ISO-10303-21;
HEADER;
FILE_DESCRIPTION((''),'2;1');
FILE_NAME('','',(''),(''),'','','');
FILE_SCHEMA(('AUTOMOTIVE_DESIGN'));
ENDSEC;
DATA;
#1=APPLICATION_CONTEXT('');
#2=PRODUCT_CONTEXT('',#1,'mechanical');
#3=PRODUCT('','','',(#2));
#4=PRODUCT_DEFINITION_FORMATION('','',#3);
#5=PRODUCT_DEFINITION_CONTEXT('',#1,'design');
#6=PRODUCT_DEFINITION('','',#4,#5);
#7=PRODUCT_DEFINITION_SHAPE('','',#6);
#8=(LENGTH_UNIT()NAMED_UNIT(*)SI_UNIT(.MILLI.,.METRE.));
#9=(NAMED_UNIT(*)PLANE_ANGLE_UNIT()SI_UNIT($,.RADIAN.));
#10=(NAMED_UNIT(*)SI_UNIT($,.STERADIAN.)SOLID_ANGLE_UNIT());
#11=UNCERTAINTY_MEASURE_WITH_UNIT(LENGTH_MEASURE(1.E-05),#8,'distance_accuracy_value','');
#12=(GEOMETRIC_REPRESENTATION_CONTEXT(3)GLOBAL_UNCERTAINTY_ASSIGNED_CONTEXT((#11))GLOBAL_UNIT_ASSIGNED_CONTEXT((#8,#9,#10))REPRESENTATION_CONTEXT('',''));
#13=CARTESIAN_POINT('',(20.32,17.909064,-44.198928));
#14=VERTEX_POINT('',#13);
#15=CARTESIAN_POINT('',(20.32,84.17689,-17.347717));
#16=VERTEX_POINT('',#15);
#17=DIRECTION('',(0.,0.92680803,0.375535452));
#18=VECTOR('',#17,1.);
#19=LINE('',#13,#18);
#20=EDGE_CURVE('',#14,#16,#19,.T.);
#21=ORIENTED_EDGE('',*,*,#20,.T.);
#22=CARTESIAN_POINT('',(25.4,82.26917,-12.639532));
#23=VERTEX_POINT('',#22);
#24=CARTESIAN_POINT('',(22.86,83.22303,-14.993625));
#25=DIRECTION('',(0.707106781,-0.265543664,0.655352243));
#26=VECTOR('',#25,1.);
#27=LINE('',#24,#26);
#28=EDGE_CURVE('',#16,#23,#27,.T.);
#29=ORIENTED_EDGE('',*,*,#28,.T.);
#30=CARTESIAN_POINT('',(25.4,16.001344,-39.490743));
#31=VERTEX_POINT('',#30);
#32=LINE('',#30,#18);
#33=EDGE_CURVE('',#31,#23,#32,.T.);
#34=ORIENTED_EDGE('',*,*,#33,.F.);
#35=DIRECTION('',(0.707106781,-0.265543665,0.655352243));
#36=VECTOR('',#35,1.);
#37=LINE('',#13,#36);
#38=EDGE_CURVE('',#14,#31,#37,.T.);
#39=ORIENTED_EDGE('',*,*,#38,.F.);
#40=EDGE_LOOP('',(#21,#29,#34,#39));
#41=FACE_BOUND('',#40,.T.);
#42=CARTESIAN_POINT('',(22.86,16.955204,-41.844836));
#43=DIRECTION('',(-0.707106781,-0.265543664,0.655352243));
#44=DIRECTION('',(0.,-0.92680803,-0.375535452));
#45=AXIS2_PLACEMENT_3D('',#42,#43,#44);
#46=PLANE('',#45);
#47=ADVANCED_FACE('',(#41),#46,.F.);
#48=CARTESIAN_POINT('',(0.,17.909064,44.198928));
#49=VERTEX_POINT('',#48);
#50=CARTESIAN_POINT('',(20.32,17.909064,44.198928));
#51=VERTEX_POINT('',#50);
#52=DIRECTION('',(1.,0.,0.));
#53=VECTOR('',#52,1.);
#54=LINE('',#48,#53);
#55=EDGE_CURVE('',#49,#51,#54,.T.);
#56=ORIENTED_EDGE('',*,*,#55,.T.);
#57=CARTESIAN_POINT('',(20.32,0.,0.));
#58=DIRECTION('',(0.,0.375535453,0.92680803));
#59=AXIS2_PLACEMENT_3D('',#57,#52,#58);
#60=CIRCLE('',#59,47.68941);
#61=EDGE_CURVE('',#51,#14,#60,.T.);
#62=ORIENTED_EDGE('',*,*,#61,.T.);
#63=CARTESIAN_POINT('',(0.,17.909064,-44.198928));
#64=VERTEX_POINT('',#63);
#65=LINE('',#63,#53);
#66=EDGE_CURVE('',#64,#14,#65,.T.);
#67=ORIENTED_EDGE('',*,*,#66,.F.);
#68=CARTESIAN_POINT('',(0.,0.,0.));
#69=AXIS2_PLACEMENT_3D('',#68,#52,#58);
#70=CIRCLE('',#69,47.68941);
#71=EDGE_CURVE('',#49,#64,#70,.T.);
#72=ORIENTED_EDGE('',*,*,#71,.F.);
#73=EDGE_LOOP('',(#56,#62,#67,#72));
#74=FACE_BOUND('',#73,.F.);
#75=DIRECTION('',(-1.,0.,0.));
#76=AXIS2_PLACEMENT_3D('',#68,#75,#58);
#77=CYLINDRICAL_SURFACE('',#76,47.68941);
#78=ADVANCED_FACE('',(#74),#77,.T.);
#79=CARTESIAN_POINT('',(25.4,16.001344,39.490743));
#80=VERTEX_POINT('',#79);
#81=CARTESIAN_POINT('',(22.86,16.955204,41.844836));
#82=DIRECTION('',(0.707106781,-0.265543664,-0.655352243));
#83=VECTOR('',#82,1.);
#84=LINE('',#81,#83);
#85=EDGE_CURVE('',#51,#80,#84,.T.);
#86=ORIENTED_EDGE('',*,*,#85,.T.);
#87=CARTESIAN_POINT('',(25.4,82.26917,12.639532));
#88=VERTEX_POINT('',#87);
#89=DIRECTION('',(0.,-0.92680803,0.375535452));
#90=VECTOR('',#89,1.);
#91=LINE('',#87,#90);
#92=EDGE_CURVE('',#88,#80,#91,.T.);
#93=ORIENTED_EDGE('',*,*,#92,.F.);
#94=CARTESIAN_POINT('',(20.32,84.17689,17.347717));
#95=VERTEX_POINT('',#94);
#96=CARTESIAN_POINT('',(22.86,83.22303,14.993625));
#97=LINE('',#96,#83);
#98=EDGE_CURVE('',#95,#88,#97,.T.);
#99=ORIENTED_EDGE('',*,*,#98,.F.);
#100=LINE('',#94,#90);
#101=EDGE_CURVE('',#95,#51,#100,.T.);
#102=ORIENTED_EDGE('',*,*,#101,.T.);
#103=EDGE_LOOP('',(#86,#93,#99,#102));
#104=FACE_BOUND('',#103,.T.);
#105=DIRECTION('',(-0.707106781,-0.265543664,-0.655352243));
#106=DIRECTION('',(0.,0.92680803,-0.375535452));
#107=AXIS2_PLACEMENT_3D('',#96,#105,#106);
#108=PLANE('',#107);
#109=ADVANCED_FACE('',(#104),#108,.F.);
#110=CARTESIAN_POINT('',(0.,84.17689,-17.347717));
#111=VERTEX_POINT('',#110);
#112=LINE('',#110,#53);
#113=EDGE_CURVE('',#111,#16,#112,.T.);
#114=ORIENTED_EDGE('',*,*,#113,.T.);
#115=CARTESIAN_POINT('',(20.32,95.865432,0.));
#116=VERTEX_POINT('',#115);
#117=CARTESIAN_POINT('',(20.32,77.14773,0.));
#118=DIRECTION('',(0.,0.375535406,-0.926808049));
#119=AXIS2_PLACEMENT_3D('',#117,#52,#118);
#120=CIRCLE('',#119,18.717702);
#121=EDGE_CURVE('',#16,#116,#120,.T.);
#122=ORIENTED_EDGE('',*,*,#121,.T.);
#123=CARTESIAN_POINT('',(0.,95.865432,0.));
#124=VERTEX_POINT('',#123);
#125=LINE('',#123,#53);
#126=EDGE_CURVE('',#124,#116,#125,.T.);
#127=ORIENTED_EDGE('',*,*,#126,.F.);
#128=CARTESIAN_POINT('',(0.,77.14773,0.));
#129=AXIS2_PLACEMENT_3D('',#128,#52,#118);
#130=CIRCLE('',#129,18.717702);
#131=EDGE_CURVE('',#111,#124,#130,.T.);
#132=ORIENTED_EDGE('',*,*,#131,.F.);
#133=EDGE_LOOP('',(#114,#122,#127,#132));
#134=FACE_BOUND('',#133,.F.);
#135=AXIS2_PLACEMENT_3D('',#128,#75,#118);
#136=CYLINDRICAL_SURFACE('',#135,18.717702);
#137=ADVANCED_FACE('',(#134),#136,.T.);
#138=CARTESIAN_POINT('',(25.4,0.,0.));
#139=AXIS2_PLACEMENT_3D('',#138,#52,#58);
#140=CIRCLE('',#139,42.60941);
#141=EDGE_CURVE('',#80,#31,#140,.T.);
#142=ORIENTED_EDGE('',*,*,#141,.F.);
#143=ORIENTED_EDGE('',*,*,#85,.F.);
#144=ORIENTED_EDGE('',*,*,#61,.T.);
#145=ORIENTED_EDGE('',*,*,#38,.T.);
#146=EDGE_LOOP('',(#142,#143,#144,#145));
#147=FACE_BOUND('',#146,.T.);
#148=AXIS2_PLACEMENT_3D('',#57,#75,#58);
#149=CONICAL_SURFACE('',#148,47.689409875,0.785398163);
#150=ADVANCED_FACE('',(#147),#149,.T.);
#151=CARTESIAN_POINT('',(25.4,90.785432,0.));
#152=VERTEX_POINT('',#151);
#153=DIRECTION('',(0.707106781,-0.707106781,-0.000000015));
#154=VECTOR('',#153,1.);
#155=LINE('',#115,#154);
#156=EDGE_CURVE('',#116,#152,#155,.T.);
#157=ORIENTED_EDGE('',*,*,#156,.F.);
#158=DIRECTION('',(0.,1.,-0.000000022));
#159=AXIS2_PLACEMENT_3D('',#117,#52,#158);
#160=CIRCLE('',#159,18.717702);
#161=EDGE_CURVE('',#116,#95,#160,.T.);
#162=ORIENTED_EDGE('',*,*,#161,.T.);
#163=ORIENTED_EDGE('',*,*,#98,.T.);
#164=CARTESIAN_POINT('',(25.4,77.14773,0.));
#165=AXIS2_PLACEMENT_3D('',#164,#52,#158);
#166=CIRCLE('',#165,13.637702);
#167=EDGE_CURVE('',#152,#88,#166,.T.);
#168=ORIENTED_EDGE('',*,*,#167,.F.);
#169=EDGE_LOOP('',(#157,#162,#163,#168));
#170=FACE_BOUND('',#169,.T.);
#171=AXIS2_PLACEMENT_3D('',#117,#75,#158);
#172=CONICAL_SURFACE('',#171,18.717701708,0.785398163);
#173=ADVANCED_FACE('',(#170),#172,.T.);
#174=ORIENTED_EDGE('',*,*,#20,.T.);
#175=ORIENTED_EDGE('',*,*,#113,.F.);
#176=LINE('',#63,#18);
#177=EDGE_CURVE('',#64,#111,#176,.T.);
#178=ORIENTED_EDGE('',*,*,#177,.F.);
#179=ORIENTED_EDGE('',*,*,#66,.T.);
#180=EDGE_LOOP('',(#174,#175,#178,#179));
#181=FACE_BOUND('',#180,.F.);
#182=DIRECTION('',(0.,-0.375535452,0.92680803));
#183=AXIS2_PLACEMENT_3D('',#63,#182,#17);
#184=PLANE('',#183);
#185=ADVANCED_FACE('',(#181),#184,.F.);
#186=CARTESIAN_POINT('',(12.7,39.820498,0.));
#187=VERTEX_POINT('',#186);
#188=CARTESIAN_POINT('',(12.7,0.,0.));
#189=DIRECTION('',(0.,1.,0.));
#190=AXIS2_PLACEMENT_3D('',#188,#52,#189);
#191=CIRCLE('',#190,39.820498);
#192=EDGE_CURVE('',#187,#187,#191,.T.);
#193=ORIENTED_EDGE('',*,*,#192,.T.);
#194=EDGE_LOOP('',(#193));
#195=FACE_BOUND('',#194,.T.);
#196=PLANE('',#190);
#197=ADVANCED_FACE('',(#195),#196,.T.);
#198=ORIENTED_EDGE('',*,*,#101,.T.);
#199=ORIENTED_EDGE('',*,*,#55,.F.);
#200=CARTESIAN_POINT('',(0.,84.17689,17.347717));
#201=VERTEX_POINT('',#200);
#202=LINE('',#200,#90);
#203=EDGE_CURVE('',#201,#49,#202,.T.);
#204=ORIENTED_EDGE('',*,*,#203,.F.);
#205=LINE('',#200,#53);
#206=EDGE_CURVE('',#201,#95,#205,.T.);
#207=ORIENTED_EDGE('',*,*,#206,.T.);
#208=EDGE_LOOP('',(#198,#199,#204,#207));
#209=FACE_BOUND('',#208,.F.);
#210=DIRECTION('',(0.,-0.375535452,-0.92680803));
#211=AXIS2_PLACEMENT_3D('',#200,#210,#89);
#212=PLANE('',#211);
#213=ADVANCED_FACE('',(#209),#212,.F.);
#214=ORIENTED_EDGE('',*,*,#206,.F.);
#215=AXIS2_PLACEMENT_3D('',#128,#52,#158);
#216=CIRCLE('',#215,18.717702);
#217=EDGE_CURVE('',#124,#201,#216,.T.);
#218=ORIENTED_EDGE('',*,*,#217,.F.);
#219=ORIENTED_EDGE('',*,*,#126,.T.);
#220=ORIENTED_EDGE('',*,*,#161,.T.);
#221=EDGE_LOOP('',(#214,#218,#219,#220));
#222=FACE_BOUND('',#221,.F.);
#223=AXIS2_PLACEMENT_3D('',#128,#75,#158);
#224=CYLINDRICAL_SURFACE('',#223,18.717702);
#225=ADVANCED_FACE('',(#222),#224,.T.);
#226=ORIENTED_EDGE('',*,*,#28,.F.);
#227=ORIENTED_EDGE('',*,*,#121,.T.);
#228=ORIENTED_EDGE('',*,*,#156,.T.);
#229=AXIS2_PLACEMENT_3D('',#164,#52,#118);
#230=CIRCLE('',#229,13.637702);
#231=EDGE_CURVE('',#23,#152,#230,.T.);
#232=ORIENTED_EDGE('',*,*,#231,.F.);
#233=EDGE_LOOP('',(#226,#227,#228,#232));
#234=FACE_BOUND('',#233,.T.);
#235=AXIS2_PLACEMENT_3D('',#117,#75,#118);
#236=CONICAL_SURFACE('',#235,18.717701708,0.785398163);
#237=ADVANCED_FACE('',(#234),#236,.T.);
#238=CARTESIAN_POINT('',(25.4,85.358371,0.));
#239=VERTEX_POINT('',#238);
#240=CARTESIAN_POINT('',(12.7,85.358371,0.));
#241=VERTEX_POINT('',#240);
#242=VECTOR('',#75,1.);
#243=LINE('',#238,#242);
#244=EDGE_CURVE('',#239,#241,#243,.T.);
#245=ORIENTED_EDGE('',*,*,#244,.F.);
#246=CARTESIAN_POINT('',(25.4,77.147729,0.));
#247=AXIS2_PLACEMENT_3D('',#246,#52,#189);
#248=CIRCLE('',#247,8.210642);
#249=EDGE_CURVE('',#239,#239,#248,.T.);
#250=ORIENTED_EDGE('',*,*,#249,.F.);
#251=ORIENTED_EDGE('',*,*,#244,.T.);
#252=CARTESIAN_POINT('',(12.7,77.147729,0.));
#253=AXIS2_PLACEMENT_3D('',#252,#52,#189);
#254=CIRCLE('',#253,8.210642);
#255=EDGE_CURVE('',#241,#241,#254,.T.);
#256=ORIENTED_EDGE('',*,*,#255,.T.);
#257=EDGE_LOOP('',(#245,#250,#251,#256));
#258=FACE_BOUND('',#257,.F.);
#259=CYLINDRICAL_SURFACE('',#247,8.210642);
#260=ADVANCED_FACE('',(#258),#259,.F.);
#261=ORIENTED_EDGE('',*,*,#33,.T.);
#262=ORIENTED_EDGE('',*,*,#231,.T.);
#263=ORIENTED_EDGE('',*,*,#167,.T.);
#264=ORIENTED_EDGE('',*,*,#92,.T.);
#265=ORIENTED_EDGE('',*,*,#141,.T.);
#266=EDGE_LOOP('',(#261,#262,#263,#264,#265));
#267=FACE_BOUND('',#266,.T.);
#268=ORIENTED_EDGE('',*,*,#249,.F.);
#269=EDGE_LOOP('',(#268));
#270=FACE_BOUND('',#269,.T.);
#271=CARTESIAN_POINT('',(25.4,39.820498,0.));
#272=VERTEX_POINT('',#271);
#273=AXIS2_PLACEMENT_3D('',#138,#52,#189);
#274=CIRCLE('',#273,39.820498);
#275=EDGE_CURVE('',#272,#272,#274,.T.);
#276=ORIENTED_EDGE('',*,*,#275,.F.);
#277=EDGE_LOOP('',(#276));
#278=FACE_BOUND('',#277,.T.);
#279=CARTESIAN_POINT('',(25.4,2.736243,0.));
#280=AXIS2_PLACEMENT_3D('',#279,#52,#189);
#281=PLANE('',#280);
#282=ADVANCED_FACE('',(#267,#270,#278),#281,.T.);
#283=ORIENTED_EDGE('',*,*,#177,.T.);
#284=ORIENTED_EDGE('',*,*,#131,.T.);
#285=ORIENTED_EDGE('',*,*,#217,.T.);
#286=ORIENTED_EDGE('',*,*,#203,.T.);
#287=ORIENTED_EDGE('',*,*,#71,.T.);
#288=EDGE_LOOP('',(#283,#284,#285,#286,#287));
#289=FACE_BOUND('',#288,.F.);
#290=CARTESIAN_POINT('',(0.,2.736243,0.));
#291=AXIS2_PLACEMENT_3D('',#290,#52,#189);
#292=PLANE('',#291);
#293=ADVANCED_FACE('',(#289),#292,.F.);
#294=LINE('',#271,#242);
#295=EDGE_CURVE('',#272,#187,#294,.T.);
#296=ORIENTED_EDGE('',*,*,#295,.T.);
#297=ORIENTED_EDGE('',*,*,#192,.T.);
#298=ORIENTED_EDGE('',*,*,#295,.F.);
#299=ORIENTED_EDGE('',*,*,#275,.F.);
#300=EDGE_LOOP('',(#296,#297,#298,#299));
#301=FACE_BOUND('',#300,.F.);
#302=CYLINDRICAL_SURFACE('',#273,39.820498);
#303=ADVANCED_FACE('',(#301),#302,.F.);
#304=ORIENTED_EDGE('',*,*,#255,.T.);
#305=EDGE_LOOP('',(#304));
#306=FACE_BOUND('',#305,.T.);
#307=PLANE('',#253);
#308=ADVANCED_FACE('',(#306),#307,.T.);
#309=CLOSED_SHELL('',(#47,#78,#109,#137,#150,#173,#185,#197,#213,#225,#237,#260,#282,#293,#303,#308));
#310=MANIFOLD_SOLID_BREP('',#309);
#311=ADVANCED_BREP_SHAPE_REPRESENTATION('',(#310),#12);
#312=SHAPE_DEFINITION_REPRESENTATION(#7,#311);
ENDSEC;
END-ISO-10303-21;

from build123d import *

# Parameters (mm, degrees)
F1_DEPTH = 25.4
F2_R     = 39.820498
F3_DEPTH = 12.7
F4_R     = 8.210642
F5_DEPTH = 12.7
F6_SIZE  = 5.08


with BuildPart() as f1:
    # F0 (on Right) → F1 (new body)
    with BuildSketch(Plane.YZ):
        with BuildLine():
            ThreePointArc((17.909064, -44.198928), (39.549668, -26.647768), (47.68941, 0))
            ThreePointArc((47.68941, 0), (39.549668, 26.647768), (17.909064, 44.198928))
            ThreePointArc((17.909064, 44.198928), (-47.68941, 0), (17.909064, -44.198928))
        make_face()
        with BuildLine():
            ThreePointArc((17.909064, 44.198928), (39.549668, 26.647768), (47.68941, 0))
            ThreePointArc((47.68941, 0), (39.549668, -26.647768), (17.909064, -44.198928))
            Line((17.909064, -44.198928), (84.17689, -17.347717))
            ThreePointArc((84.17689, -17.347717), (58.430027, 0), (84.17689, 17.347717))
            Line((84.17689, 17.347717), (17.909064, 44.198928))
        make_face()
        with BuildLine():
            ThreePointArc((95.865432, 0), (92.67065, 10.459031), (84.17689, 17.347717))
            ThreePointArc((84.17689, 17.347717), (58.430027, 0), (84.17689, -17.347717))
            ThreePointArc((84.17689, -17.347717), (92.67065, -10.459031), (95.865432, 0))
        make_face()
    extrude(amount=F1_DEPTH)

    # F2 (on face) → F3 (cut)
    with BuildSketch(Plane.YZ.offset(25.4)):
        Circle(F2_R)
    extrude(amount=-F3_DEPTH, mode=Mode.SUBTRACT)

    # F4 (on face) → F5 (cut)
    with BuildSketch(Plane.YZ.offset(25.4)):
        with Locations((77.147729, 0)):
            Circle(F4_R)
    extrude(amount=-F5_DEPTH, mode=Mode.SUBTRACT)

    # F6
    f6_edges = [f1.edges().sort_by_distance(p)[0] for p in [
        (25.4, 51.042977, 30.773322),
    ]]
    chamfer(f6_edges, length=F6_SIZE)


solid = f1.part
